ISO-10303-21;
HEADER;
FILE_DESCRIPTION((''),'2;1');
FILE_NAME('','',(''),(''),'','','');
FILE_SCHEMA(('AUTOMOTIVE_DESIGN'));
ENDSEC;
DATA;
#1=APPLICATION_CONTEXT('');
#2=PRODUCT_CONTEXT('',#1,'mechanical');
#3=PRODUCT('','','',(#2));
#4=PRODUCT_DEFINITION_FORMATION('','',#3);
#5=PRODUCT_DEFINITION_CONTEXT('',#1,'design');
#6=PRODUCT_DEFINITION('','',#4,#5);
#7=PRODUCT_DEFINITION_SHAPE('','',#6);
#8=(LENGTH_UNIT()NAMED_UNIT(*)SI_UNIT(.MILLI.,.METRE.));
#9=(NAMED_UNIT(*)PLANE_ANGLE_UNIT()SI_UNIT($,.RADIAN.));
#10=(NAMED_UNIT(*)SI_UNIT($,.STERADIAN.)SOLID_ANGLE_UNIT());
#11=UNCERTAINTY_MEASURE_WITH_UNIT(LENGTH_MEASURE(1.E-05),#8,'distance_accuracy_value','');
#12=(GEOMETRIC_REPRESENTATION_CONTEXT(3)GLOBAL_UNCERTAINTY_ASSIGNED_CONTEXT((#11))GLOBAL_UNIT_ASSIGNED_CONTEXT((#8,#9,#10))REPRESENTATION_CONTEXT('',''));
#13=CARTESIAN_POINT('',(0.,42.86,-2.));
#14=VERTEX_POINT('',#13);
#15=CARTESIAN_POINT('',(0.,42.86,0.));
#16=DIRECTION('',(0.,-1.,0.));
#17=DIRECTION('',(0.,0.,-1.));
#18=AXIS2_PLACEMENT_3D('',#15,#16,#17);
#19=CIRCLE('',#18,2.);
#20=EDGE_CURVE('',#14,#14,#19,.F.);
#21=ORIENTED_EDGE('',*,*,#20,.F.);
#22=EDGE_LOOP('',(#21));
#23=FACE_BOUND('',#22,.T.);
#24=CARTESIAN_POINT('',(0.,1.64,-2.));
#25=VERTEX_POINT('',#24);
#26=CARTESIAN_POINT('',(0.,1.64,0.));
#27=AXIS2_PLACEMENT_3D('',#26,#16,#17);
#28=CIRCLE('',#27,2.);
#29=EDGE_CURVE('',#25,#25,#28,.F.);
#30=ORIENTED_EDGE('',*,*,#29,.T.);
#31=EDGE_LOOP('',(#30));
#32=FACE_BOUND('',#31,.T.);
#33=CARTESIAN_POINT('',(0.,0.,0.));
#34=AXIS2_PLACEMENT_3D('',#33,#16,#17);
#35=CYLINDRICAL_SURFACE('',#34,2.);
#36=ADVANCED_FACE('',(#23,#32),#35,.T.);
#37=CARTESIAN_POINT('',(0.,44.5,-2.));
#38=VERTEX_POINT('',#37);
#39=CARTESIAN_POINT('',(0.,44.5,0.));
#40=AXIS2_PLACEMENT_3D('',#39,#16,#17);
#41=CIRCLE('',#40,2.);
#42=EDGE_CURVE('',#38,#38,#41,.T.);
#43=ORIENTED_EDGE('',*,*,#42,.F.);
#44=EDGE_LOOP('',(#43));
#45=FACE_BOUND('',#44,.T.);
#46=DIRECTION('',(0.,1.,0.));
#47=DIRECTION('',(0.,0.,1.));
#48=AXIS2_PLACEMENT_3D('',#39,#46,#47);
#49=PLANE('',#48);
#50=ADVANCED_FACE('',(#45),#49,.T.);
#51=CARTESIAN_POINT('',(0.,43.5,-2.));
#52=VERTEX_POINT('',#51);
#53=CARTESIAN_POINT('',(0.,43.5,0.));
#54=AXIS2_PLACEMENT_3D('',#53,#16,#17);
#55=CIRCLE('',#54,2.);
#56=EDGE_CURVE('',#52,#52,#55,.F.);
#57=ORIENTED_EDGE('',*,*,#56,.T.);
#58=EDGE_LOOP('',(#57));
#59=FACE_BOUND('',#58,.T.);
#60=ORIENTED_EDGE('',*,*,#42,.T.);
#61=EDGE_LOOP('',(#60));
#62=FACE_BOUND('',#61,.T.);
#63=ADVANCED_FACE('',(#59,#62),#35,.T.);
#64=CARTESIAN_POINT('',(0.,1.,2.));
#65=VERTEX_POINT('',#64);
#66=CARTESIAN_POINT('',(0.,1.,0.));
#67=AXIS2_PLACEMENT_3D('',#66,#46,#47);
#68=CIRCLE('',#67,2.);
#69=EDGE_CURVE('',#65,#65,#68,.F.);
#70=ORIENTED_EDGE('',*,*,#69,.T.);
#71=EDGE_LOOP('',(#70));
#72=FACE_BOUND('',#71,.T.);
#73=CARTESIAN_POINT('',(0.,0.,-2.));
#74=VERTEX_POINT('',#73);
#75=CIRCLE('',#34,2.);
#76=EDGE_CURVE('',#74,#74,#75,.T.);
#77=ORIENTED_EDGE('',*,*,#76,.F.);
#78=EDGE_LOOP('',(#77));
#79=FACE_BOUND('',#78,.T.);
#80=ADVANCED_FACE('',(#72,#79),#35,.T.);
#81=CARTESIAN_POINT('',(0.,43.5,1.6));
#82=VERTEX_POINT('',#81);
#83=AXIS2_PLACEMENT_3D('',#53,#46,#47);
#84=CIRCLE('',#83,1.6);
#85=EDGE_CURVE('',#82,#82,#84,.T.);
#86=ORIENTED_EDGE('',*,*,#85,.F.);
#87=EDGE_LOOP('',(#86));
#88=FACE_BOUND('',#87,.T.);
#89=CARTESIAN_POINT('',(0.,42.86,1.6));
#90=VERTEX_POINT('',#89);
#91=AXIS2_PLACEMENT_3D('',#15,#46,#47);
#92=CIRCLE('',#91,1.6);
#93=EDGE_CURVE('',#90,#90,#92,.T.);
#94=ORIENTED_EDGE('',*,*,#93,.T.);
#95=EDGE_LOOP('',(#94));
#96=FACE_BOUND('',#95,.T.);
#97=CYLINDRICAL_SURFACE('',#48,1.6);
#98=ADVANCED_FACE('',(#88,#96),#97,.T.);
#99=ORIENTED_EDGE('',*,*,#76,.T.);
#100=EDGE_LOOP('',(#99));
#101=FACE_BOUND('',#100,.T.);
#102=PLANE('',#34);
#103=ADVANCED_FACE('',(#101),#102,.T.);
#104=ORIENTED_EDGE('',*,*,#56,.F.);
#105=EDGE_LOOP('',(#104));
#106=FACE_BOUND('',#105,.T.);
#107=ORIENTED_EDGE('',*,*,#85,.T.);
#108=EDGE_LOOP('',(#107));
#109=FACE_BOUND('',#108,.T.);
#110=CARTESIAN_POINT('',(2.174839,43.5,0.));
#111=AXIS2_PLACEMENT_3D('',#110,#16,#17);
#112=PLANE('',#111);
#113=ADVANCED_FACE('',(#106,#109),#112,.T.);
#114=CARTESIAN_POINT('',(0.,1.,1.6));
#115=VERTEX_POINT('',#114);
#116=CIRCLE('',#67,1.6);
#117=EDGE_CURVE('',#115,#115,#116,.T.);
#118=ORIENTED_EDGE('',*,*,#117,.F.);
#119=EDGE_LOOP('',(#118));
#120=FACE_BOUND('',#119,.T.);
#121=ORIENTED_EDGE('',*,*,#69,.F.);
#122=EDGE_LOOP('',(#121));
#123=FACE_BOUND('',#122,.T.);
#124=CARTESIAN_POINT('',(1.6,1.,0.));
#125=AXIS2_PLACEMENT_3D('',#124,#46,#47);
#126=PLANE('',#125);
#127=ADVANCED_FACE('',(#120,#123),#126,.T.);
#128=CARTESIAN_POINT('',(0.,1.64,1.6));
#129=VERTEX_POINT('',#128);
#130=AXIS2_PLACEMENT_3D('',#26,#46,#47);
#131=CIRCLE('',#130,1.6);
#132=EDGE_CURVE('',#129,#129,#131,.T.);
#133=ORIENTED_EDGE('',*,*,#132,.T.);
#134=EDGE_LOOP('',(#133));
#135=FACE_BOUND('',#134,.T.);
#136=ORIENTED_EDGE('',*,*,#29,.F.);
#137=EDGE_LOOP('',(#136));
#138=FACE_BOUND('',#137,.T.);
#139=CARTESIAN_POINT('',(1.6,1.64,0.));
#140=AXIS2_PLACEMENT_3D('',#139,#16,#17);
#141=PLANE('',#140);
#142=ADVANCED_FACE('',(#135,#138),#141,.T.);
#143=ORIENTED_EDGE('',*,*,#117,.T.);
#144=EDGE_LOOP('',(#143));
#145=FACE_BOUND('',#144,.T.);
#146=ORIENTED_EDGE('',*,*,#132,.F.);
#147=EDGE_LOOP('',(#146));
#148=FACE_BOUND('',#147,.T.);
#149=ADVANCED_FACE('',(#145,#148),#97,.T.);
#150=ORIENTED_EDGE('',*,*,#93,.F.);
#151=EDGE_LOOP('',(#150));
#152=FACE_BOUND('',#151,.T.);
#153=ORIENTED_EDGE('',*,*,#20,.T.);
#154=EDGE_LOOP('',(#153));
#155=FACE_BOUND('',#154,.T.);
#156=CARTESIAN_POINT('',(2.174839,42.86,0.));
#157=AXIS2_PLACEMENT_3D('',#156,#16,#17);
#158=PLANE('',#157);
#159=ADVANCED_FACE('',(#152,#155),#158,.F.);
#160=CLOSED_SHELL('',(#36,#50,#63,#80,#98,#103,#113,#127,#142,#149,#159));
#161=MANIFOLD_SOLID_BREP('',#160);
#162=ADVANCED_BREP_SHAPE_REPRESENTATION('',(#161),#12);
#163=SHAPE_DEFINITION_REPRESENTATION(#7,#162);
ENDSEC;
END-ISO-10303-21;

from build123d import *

# Parameters (mm, degrees)
SKETCH1_W   = 2
SKETCH1_H   = 44.5
ESQUISSE1_W = 0.574838605
ESQUISSE1_H = 0.64
ESQUISSE3_W = 1.093459546
ESQUISSE3_H = 0.64


with BuildPart() as part:
    # Sketch1 → Revolve1 (revolve)
    with BuildSketch(Plane.XY):
        with Locations((1, 22.25)):
            Rectangle(SKETCH1_W, SKETCH1_H)
    revolve(axis=Axis((0, 0, 0), (0, 1, 0)))

    # Esquisse1 → Enlèvement de matière-Révolution1 (revolve, cut)
    with BuildSketch(Plane.XY):
        with Locations((1.887419303, 43.18)):
            Rectangle(ESQUISSE1_W, ESQUISSE1_H)
    revolve(axis=Axis((0, 44.5, 0), (0, -1, 0)), mode=Mode.SUBTRACT)

    # Esquisse3 → Enlèvement de matière-Révolution3 (revolve, cut)
    with BuildSketch(Plane.XY):
        with Locations((2.146729773, 1.32)):
            Rectangle(ESQUISSE3_W, ESQUISSE3_H)
    revolve(axis=Axis((0, 44.5, 0), (0, -1, 0)), mode=Mode.SUBTRACT)


solid = part.part
